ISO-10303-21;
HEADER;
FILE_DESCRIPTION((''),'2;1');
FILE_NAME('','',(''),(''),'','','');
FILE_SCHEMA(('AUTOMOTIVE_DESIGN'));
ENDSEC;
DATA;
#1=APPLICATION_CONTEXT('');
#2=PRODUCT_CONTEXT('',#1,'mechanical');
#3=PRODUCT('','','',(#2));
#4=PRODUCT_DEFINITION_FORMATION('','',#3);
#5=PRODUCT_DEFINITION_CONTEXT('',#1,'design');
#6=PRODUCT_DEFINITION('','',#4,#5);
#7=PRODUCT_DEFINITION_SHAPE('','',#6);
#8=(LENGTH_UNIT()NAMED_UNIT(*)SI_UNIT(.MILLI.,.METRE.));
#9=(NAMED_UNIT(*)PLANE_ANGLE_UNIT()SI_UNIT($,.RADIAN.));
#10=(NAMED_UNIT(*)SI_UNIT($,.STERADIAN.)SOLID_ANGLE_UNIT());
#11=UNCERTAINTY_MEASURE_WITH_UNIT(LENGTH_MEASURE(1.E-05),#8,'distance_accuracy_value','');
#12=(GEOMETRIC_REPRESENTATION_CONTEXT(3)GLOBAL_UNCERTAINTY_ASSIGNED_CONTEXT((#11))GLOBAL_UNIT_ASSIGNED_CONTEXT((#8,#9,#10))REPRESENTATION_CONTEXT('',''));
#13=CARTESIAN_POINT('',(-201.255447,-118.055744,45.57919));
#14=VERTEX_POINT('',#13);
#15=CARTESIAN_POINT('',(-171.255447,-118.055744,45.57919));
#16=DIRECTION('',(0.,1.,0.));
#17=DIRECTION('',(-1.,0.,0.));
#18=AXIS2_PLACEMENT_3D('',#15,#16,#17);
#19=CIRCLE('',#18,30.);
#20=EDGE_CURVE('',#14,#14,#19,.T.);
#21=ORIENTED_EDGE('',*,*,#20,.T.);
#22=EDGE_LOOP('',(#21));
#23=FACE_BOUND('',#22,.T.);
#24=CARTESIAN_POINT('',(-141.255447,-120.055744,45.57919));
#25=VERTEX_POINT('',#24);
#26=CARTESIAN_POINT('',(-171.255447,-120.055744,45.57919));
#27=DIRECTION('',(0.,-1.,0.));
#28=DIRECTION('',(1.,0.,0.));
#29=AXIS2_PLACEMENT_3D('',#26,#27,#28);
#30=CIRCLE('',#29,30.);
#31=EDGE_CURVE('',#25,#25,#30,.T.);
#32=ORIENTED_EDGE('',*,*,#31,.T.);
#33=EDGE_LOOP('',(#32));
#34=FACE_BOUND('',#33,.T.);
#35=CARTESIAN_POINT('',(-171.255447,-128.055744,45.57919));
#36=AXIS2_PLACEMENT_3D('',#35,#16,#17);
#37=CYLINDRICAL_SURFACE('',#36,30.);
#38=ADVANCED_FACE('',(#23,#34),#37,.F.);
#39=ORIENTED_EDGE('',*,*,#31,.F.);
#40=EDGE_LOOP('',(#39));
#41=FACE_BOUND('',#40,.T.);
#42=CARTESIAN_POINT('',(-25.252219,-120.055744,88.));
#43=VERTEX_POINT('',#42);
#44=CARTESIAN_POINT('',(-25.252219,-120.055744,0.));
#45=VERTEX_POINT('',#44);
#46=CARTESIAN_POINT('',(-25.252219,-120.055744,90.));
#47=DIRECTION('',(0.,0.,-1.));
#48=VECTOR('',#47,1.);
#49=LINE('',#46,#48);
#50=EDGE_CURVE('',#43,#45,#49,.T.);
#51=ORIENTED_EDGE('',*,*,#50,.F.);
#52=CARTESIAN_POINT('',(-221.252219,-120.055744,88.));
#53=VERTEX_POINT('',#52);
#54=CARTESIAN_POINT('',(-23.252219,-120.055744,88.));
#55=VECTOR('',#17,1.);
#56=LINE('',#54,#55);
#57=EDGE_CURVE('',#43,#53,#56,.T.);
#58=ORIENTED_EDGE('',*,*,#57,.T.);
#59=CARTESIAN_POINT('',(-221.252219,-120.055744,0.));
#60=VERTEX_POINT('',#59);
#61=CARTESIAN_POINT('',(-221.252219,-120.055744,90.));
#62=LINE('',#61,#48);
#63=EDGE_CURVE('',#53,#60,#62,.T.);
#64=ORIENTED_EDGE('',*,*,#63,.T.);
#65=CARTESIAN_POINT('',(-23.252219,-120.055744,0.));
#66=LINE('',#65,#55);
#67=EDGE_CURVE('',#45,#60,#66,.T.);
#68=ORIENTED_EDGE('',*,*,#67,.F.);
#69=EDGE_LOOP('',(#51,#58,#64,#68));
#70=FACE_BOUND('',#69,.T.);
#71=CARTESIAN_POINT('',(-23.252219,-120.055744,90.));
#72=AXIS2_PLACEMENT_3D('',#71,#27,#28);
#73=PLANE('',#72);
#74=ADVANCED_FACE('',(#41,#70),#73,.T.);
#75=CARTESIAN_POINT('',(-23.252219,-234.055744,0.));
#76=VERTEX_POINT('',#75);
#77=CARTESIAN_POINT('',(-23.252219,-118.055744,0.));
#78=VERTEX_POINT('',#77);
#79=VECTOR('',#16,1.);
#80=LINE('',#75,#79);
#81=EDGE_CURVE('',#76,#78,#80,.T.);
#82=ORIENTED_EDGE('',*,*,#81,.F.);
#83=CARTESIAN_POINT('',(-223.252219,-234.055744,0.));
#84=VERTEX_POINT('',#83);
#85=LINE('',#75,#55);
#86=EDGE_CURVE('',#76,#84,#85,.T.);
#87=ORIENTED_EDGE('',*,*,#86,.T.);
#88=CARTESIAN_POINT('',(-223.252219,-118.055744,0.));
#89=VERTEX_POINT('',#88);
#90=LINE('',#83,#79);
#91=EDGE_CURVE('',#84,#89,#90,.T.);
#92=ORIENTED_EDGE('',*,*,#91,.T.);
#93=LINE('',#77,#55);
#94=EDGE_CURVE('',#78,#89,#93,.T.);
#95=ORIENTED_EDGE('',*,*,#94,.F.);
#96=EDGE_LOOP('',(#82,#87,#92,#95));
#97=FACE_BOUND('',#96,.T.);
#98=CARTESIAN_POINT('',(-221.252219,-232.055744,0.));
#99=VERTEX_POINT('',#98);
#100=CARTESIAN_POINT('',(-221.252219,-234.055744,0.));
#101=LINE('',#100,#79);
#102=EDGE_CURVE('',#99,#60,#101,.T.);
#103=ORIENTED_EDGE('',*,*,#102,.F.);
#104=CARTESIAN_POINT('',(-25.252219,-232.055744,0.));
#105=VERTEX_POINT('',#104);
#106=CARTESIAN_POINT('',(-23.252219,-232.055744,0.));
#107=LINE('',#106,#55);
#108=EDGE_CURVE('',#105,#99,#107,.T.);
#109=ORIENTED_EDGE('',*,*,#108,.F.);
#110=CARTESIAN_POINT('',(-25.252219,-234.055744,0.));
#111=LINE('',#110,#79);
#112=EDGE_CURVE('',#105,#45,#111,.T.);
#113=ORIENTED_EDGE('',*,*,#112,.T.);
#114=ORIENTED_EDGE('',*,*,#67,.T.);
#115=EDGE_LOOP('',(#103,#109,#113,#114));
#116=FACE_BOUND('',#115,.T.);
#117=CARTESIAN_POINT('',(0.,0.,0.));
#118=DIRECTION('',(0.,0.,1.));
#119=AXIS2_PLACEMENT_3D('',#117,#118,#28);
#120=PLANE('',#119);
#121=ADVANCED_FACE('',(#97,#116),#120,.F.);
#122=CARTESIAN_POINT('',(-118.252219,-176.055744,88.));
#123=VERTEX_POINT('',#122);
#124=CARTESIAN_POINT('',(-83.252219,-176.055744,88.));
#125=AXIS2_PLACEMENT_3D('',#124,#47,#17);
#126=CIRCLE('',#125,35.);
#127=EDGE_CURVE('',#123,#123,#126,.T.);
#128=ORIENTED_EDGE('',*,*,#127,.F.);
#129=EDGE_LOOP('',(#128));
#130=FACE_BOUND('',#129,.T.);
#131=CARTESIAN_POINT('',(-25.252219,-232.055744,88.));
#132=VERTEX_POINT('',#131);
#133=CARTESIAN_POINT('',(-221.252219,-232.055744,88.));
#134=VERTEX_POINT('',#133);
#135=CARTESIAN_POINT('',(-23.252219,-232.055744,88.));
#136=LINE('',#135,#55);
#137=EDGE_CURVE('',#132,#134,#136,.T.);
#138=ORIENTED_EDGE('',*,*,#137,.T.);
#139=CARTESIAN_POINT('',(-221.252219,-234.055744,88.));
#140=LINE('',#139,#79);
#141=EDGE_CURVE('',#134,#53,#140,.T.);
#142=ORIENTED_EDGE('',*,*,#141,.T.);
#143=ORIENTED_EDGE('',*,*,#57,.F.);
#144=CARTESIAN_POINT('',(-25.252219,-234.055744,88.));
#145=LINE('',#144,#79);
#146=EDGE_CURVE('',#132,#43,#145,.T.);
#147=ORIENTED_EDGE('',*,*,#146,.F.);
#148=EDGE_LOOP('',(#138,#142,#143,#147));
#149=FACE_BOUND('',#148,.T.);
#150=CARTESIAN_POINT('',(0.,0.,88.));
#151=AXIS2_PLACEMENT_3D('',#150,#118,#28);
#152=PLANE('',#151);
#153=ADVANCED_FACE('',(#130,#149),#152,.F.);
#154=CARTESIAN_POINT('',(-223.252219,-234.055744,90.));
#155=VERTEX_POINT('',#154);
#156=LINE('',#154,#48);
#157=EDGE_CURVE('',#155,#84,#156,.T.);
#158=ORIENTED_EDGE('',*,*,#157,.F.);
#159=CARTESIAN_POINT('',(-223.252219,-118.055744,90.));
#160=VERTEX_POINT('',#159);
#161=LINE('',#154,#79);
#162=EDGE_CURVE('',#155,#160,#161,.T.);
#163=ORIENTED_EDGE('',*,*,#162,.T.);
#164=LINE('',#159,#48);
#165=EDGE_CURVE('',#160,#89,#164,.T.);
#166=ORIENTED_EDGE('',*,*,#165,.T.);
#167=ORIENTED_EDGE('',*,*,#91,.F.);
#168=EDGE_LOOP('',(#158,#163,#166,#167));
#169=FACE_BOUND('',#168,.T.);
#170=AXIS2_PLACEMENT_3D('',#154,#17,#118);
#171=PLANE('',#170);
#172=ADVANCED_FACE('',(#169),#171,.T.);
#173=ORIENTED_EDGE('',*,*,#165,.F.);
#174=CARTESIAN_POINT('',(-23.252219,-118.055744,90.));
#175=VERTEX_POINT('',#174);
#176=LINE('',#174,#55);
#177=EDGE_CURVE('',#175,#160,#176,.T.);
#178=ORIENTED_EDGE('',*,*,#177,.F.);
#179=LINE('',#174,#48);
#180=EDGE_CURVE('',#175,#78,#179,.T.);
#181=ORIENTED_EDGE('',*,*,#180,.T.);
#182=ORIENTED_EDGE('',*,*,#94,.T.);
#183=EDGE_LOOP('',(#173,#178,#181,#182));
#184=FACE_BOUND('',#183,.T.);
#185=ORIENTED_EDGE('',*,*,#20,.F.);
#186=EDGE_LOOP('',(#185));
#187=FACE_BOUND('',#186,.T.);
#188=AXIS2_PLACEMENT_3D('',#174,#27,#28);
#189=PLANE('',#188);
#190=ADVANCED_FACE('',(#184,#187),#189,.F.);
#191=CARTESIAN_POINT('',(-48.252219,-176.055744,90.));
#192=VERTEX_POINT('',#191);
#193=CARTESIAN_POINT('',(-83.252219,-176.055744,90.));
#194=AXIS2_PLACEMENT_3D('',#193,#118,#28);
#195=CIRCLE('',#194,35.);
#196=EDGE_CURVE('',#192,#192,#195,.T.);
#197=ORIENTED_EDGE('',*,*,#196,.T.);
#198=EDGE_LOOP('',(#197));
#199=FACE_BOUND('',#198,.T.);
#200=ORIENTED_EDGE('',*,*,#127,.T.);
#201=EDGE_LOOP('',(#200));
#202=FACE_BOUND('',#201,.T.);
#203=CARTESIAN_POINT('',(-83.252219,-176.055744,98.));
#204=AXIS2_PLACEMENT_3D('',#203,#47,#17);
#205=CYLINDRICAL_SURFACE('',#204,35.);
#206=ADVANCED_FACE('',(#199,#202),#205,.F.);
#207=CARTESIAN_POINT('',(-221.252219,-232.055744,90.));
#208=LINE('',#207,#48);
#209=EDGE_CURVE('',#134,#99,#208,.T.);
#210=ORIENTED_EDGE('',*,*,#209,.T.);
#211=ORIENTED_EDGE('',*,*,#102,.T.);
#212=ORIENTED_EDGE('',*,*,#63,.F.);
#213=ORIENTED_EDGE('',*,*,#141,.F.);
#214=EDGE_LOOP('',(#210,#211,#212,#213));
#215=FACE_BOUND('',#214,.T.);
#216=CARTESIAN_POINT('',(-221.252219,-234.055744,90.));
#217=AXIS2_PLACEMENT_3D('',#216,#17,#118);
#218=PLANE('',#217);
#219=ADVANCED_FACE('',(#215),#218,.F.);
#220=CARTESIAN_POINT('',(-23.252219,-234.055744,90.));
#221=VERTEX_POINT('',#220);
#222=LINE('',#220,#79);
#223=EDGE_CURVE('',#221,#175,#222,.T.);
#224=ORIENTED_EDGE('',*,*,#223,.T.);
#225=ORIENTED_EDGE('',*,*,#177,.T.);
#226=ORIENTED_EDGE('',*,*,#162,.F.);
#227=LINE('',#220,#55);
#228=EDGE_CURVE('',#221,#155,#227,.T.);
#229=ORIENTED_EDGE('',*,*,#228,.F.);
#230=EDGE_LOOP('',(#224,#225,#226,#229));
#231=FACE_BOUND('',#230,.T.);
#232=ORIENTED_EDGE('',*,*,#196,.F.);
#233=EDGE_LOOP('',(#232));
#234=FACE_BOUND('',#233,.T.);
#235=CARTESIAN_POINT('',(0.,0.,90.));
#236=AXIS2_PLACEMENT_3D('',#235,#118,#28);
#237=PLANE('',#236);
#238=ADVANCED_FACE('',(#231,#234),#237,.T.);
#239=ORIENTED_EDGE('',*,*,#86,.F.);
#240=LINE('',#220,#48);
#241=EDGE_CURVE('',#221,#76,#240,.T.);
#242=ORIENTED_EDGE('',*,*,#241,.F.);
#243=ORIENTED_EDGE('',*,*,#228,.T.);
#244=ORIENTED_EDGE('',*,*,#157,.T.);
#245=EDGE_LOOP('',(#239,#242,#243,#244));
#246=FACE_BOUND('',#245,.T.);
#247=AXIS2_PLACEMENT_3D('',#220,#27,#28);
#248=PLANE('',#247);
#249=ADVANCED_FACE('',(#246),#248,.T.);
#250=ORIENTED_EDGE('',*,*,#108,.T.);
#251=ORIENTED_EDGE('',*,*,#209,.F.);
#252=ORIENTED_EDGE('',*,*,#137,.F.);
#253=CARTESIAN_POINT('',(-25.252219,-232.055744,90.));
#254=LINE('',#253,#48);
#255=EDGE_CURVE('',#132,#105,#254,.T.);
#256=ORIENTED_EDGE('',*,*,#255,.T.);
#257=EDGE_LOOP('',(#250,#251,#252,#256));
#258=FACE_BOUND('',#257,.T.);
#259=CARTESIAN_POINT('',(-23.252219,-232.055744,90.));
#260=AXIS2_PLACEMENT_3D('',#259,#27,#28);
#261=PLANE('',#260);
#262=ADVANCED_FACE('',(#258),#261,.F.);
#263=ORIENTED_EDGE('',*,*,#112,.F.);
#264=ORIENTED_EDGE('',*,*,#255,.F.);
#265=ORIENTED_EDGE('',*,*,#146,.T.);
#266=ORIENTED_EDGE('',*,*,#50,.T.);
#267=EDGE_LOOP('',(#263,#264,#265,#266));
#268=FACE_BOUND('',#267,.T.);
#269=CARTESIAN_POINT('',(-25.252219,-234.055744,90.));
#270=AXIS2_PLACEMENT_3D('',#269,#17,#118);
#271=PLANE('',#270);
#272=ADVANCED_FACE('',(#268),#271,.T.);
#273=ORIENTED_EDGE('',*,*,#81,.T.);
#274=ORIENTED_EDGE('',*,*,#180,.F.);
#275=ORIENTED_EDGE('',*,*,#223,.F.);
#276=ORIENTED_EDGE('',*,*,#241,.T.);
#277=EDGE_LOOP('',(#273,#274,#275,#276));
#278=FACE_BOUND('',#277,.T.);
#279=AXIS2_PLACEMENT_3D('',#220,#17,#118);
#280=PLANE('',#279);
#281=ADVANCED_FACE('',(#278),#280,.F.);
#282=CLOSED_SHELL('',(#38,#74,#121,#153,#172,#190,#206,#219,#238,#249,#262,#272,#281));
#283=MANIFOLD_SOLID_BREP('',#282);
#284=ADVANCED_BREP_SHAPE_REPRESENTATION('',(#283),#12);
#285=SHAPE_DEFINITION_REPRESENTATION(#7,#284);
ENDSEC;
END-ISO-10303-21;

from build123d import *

# Parameters (mm, degrees)
SKETCH1_W           = 200
SKETCH1_H           = 116
BOSS_EXTRUDE1_DEPTH = 90
SHELL1_T            = -2
SKETCH2_R           = 35
CUT_EXTRUDE1_DEPTH  = 10
SKETCH3_R           = 30
CUT_EXTRUDE2_DEPTH  = 10


with BuildPart() as part:
    # Sketch1 → Boss-Extrude1 (new body)
    with BuildSketch(Plane.XY):
        with Locations((-123.252218957, -176.05574429)):
            Rectangle(SKETCH1_W, SKETCH1_H)
    extrude(amount=BOSS_EXTRUDE1_DEPTH)

    # Shell1
    shell1_openings = [part.faces().sort_by_distance(p)[0] for p in [
        (-123.252218957, -176.05574429, 0),
    ]]
    offset(amount=SHELL1_T, openings=shell1_openings, kind=Kind.INTERSECTION)

    # Sketch2 → Cut-Extrude1 (cut)
    with BuildSketch(Plane(origin=(0, 0, 88), x_dir=(-1, 0, 0), z_dir=(0, 0, -1))):
        with Locations((83.252218957, -176.05574429)):
            Circle(SKETCH2_R)
    extrude(amount=-CUT_EXTRUDE1_DEPTH, mode=Mode.SUBTRACT)

    # Sketch3 → Cut-Extrude2 (cut)
    with BuildSketch(Plane(origin=(0, -118.05574429, 0), x_dir=(1, 0, 0), z_dir=(0, 1, 0))):
        with Locations(Location((-171.255446698, -45.579189532, 0), (0, 0, 180))):
            Circle(SKETCH3_R)
    extrude(amount=-CUT_EXTRUDE2_DEPTH, mode=Mode.SUBTRACT)


solid = part.part
